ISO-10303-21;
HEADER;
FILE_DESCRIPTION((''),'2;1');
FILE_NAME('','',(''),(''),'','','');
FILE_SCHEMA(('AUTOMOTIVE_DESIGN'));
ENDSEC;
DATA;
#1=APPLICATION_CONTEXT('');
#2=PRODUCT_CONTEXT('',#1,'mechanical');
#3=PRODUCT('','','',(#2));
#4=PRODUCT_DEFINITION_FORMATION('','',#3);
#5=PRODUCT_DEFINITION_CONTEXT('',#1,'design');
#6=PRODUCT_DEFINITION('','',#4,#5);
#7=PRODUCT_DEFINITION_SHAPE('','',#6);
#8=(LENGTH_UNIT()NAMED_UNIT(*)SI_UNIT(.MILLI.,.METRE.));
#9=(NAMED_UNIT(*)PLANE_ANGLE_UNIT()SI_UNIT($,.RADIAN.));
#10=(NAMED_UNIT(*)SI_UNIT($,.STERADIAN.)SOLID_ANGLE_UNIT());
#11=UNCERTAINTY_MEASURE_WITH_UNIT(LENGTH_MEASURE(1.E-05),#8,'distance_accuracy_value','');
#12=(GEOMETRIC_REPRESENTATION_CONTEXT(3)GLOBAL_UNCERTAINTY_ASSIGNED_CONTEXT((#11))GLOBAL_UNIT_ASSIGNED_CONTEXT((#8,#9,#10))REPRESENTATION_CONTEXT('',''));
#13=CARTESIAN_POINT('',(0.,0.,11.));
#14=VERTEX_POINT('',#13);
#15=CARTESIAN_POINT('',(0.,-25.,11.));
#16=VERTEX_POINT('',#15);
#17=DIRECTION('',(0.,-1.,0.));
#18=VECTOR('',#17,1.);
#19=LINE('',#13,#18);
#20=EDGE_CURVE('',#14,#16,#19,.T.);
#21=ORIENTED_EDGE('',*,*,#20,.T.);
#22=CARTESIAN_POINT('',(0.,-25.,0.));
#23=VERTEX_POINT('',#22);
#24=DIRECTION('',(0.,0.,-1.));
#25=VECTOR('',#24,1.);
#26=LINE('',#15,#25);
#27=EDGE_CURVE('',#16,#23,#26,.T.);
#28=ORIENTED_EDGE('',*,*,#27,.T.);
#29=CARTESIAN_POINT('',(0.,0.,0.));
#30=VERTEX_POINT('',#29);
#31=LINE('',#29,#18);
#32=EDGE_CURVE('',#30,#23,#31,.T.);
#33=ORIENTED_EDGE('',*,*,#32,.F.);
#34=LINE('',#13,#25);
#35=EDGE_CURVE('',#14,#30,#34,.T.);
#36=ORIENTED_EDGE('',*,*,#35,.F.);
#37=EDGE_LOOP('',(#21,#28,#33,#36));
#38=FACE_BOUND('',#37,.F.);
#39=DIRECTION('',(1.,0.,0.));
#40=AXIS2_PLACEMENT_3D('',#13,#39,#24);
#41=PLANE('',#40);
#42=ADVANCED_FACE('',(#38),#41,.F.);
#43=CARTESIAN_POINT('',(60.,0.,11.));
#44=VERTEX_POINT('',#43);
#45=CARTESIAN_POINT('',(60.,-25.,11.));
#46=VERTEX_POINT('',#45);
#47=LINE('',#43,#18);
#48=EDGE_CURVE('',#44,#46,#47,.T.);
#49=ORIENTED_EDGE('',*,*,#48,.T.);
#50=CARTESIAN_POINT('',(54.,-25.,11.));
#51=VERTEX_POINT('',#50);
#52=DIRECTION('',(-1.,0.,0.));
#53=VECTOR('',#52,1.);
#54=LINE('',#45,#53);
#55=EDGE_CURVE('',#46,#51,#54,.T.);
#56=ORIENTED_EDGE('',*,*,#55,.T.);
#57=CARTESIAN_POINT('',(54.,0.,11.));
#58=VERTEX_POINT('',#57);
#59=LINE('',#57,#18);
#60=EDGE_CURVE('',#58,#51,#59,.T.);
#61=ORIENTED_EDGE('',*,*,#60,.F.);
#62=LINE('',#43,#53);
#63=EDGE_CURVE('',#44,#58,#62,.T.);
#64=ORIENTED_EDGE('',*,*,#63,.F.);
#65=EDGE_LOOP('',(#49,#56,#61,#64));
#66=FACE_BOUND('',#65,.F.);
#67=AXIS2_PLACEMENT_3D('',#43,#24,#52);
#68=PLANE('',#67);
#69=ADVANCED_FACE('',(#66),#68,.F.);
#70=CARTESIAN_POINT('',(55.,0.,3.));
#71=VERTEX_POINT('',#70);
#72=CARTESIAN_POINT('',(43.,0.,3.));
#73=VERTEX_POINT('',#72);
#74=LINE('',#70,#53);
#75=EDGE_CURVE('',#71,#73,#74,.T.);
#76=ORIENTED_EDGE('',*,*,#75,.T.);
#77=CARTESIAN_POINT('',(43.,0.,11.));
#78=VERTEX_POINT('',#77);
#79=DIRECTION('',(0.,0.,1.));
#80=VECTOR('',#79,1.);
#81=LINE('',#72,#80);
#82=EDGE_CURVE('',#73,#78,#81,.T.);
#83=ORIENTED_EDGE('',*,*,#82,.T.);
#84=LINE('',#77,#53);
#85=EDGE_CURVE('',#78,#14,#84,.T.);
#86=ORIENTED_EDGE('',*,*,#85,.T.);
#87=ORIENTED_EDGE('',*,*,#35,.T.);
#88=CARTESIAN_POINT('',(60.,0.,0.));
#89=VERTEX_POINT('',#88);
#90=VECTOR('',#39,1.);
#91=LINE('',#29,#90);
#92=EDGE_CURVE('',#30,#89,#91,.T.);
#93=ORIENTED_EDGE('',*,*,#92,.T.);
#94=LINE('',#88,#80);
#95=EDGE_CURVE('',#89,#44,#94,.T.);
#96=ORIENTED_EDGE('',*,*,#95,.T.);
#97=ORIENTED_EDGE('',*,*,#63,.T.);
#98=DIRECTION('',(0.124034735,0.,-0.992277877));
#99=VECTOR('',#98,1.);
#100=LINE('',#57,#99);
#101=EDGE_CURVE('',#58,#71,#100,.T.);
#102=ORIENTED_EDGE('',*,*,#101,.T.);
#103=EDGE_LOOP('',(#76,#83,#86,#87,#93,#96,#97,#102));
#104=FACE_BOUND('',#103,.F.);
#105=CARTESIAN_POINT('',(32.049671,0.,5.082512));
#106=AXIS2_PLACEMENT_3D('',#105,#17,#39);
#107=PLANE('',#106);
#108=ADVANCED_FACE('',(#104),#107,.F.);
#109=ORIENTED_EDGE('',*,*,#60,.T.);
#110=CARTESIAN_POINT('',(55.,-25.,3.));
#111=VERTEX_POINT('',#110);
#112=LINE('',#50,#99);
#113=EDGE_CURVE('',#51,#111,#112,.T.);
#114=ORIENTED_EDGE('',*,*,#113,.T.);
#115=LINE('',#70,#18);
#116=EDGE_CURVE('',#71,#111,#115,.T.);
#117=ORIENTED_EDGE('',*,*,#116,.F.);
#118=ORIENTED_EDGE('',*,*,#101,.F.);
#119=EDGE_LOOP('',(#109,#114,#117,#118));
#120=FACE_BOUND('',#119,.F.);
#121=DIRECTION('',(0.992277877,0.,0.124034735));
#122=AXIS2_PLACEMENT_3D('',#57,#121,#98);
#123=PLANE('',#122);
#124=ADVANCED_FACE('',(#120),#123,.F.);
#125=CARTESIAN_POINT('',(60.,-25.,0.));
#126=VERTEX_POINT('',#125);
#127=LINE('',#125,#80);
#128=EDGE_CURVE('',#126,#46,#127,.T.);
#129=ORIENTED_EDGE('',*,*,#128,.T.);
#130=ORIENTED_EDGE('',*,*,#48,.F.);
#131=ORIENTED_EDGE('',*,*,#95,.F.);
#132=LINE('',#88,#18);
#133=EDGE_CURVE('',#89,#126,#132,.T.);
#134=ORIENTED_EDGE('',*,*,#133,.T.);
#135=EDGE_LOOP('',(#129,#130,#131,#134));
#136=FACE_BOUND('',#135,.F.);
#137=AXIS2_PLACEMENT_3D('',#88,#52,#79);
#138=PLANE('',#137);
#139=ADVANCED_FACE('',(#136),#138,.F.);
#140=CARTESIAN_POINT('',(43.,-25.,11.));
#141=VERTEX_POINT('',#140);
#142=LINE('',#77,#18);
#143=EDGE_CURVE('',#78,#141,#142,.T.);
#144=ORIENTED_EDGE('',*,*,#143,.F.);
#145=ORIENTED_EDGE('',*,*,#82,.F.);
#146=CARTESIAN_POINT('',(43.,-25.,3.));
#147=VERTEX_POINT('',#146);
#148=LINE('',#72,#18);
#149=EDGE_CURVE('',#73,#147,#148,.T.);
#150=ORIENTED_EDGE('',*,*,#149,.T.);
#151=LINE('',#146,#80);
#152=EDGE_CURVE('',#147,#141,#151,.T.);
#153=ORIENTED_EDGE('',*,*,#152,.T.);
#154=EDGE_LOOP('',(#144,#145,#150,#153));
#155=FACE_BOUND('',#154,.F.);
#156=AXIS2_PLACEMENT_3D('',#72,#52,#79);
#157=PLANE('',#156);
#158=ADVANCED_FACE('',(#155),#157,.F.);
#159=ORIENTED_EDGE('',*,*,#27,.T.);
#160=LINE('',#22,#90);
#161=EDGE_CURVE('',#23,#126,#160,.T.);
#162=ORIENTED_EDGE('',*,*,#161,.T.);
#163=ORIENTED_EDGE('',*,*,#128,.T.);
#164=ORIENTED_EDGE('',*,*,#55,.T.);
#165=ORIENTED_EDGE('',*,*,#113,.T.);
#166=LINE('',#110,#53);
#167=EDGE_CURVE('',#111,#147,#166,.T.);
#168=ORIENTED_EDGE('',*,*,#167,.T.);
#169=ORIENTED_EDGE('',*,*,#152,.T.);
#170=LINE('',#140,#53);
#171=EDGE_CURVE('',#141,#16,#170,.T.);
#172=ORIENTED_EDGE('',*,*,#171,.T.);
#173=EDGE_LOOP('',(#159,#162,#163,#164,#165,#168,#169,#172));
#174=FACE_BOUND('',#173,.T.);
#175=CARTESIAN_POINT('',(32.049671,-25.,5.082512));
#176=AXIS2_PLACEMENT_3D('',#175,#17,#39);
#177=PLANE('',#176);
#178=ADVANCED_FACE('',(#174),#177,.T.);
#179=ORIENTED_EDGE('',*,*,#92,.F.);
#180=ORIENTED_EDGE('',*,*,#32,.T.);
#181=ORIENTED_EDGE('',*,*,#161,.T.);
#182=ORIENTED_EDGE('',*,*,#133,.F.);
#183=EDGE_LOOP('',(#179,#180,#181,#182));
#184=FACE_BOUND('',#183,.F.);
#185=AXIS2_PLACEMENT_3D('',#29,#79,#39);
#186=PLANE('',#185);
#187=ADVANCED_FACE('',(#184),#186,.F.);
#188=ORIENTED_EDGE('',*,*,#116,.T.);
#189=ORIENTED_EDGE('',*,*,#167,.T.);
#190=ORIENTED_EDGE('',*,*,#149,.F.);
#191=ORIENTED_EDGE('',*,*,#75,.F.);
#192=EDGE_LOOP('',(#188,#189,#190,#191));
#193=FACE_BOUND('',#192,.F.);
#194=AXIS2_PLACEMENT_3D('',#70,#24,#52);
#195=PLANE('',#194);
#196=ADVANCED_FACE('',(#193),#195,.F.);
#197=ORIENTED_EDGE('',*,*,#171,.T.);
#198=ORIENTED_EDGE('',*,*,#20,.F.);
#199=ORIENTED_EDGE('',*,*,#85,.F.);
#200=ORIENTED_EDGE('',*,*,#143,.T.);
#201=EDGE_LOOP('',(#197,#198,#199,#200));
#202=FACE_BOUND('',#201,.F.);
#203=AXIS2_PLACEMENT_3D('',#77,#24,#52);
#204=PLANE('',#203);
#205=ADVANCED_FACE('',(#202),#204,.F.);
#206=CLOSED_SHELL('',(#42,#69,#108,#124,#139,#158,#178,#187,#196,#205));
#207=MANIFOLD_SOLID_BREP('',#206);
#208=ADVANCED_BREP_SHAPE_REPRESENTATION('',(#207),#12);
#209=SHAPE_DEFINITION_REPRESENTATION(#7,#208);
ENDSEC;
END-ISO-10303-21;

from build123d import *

# Parameters (mm, degrees)
EXTRUDE_DEPTH           = 25
EXTRUDE_PLACEMENT_ANGLE = 90


with BuildPart() as part:
    # Sketch → Extrude (new body)
    with BuildSketch(Plane.XY):
        Polygon((0, 11), (0, 0), (60, 0), (60, 11), (54, 11), (55, 3), (43, 3), (43, 11), align=None)
    extrude(amount=EXTRUDE_DEPTH)


with BuildPart() as part_1:
    # Extrude placement: moved
    add(part.part.rotate(Axis((0, 0, 0), (1, 0, 0)), EXTRUDE_PLACEMENT_ANGLE))


solid = part_1.part
